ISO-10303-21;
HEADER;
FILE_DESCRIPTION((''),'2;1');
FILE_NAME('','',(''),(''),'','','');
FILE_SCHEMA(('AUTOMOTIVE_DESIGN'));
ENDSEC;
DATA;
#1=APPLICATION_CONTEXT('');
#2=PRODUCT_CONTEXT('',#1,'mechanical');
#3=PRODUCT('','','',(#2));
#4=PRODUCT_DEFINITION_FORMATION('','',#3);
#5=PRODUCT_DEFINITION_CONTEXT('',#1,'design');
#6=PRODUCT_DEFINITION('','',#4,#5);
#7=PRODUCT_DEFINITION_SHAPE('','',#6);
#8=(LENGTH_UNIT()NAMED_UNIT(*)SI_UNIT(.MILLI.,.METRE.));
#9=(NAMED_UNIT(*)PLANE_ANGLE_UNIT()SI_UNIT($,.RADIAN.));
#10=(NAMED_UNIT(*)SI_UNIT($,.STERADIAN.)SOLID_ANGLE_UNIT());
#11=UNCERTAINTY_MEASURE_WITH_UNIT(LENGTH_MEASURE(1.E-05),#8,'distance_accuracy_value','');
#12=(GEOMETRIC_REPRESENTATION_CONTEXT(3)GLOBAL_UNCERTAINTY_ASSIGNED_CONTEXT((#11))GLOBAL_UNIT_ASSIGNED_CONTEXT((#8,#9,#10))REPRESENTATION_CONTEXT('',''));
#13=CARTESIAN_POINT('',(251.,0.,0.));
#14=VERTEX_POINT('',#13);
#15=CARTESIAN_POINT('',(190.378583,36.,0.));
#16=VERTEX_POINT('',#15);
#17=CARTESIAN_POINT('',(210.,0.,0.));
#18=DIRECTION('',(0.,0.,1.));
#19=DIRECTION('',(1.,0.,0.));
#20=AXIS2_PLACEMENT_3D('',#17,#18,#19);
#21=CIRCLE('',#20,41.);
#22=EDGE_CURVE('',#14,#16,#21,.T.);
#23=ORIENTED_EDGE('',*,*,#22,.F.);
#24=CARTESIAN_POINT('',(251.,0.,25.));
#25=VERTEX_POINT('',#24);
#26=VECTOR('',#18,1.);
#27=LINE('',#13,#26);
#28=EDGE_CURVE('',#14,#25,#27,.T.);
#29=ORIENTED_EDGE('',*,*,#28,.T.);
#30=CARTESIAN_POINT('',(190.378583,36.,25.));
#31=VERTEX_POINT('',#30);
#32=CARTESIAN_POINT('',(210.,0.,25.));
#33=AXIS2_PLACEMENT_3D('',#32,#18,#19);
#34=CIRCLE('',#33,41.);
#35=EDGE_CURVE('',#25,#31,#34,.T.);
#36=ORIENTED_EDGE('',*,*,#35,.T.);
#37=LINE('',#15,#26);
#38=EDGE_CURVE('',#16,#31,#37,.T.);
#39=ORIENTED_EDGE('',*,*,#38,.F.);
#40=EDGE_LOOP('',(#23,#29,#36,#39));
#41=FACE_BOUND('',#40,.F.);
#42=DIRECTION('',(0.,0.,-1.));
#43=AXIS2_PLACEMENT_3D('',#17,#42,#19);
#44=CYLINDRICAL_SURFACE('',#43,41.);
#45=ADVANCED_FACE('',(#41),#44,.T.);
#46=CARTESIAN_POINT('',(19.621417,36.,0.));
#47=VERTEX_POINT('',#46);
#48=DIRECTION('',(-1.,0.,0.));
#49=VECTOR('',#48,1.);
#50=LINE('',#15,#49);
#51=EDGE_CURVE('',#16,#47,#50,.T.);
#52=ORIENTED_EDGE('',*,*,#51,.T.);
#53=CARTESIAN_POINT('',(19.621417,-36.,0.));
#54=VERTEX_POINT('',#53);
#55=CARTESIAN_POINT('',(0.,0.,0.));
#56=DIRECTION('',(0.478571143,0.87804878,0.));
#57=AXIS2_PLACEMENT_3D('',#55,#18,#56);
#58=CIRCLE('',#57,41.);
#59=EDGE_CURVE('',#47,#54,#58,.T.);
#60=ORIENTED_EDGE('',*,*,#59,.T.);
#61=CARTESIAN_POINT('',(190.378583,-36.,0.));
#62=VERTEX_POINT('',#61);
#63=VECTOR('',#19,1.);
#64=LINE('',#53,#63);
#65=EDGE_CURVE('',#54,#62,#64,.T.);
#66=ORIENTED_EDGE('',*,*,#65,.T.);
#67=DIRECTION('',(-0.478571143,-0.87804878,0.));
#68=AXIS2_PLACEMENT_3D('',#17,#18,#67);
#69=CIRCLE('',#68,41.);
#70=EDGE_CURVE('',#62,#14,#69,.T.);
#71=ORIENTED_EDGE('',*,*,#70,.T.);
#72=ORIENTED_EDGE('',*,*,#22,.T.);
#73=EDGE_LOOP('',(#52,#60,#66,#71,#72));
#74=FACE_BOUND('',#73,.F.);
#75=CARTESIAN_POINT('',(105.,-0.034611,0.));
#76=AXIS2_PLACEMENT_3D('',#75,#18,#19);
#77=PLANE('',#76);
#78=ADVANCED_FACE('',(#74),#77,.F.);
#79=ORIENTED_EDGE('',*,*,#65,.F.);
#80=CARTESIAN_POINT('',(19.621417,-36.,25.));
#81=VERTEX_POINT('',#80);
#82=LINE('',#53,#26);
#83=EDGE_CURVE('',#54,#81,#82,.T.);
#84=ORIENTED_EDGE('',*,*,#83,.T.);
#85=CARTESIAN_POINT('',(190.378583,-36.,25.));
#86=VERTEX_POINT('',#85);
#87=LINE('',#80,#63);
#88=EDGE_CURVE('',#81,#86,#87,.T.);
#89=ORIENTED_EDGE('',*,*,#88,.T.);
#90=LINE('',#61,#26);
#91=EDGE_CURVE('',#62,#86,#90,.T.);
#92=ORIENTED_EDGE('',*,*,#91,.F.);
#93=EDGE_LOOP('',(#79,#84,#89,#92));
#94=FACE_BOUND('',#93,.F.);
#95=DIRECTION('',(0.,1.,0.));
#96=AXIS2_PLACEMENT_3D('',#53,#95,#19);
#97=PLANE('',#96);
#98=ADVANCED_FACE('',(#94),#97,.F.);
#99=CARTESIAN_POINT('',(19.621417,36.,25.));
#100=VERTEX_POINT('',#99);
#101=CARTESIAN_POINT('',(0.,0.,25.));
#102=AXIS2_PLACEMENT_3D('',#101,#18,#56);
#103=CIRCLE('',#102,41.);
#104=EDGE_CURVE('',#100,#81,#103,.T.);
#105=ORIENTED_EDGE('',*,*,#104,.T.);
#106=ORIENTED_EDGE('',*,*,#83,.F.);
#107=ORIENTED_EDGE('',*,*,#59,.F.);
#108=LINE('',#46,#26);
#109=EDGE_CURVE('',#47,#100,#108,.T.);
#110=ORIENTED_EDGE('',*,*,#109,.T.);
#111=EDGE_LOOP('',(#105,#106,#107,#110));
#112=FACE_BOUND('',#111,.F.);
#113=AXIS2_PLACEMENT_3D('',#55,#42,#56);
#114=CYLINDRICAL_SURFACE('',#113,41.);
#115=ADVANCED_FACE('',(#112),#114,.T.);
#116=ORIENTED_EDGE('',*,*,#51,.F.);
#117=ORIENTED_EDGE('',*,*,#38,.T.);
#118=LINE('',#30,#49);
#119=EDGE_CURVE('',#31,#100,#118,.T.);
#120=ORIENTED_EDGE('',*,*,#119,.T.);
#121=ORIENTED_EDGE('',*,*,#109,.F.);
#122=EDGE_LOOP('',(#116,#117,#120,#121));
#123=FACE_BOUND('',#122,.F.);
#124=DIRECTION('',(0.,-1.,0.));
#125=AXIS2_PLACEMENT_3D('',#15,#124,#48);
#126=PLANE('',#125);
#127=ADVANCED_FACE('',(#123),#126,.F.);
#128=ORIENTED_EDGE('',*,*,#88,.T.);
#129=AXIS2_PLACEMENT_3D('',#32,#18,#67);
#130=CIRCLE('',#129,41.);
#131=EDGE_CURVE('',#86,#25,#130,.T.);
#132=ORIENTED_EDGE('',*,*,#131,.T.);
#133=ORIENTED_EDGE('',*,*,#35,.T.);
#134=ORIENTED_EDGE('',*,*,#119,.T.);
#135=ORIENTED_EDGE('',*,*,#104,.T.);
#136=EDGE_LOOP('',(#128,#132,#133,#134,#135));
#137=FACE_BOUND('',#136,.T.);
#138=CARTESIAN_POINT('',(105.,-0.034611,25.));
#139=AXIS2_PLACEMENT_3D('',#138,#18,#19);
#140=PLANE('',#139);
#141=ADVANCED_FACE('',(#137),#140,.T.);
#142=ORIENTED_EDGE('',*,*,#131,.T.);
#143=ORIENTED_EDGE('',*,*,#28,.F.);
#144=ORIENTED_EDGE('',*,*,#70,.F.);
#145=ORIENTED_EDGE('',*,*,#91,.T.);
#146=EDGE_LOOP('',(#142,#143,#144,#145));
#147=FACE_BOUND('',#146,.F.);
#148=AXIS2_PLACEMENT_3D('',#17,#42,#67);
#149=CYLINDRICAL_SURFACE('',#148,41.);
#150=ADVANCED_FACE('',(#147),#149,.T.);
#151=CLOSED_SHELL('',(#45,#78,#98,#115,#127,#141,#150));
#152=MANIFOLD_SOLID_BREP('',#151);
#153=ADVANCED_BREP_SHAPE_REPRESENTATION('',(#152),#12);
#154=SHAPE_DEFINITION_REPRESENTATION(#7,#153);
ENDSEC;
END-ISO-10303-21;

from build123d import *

# Parameters (mm, degrees)
F0_W     = 120
F0_H     = 61.9307779069
F0_R     = 30
F0_R_2   = 10
F0_R_3   = 21.5
F0_R_4   = 18.75
F0_R_5   = 6.6
F1_DEPTH = 25


with BuildPart() as f1:
    # F0 (on Top) → F1 (new body)
    with BuildSketch(Plane.XY):
        with Locations((105, -0.0346110465)):
            Rectangle(F0_W, F0_H)
        with BuildLine():
            ThreePointArc((242, 16.4924225025), (228.7386337537, 30.7386337537), (210, 36))
            ThreePointArc((210, 36), (200.4477229063, 34.7095664382), (191.5802557545, 30.9307779069))
            ThreePointArc((191.5802557545, 30.9307779069), (174.0000639573, -0.0678595955), (191.6969947823, -31))
            ThreePointArc((191.6969947823, -31), (200.5131670195, -34.7275107084), (210, -36))
            ThreePointArc((210, -36), (228.7386337537, -30.7386337537), (242, -16.4924225025))
            Line((242, -16.4924225025), (242, 16.4924225025))
        make_face()
        with Locations((210, 0)):
            Circle(F0_R, mode=Mode.SUBTRACT)
        with BuildLine():
            ThreePointArc((18.3030052177, -31), (31.2642622481, -17.8478543831), (36, 0))
            ThreePointArc((36, 0), (31.2978497092, 17.7888898917), (18.4197442455, 30.9307779069))
            ThreePointArc((18.4197442455, 30.9307779069), (9.5522770937, 34.7095664382), (0, 36))
            ThreePointArc((0, 36), (-18.7386337537, 30.7386337537), (-32, 16.4924225025))
            Line((-32, 16.4924225025), (-32, -16.4924225025))
            ThreePointArc((-32, -16.4924225025), (-18.7386337537, -30.7386337537), (0, -36))
            ThreePointArc((0, -36), (9.4868329805, -34.7275107084), (18.3030052177, -31))
        make_face()
        Circle(F0_R, mode=Mode.SUBTRACT)
        Circle(F0_R)
        Circle(F0_R_2, mode=Mode.SUBTRACT)
        with Locations((210, 0)):
            Circle(F0_R)
        with Locations((210, 0)):
            Circle(F0_R_3, mode=Mode.SUBTRACT)
        with Locations((210, 0)):
            Circle(F0_R_3)
        with Locations((210, 0)):
            Circle(F0_R_4, mode=Mode.SUBTRACT)
        with Locations((210, 0)):
            Circle(F0_R_4)
        with BuildLine():
            ThreePointArc((19.6214168703, 36), (23.4046464655, 33.6633706545), (26.9125802938, 30.9307779069))
            Line((26.9125802938, 30.9307779069), (34, 30.9307779069))
            ThreePointArc((34, 30.9307779069), (37, 33.9307779069), (40, 30.9307779069))
            Line((40, 30.9307779069), (45, 30.9307779069))
            Line((45, 30.9307779069), (165, 30.9307779069))
            Line((165, 30.9307779069), (170, 30.9307779069))
            ThreePointArc((170, 30.9307779069), (173, 33.9307779069), (176, 30.9307779069))
            Line((176, 30.9307779069), (183.0874197062, 30.9307779069))
            ThreePointArc((183.0874197062, 30.9307779069), (186.5953535345, 33.6633706545), (190.3785831296, 36))
            Line((190.3785831296, 36), (19.6214168703, 36))
        make_face()
        with BuildLine():
            Line((34, -31), (26.83281573, -31))
            ThreePointArc((26.83281573, -31), (23.361269906, -33.693487032), (19.6214168703, -36))
            Line((19.6214168703, -36), (190.3785831296, -36))
            ThreePointArc((190.3785831296, -36), (186.638730094, -33.693487032), (183.16718427, -31))
            Line((183.16718427, -31), (176, -31))
            ThreePointArc((176, -31), (173, -34), (170, -31))
            Line((170, -31), (165, -31))
            Line((165, -31), (45, -31))
            Line((45, -31), (40, -31))
            ThreePointArc((40, -31), (37, -34), (34, -31))
        make_face()
        with BuildLine():
            ThreePointArc((251, 0), (230.9346830441, 35.2525041074), (190.3785831296, 36))
            Line((190.3785831296, 36), (210, 36))
            ThreePointArc((210, 36), (228.7386337537, 30.7386337537), (242, 16.4924225025))
            ThreePointArc((242, 16.4924225025), (244.9857113691, 8.4852813742), (246, 0))
            ThreePointArc((246, 0), (244.9857113691, -8.4852813742), (242, -16.4924225025))
            ThreePointArc((242, -16.4924225025), (228.7386337537, -30.7386337537), (210, -36))
            Line((210, -36), (190.3785831296, -36))
            ThreePointArc((190.3785831296, -36), (230.9346830441, -35.2525041074), (251, 0))
        make_face()
        with BuildLine():
            ThreePointArc((-32, 16.4924225025), (-18.7386337537, 30.7386337537), (0, 36))
            Line((0, 36), (19.6214168703, 36))
            ThreePointArc((19.6214168703, 36), (-41, 0), (19.6214168703, -36))
            Line((19.6214168703, -36), (0, -36))
            ThreePointArc((0, -36), (-18.7386337537, -30.7386337537), (-32, -16.4924225025))
            ThreePointArc((-32, -16.4924225025), (-36, 0), (-32, 16.4924225025))
        make_face()
        with BuildLine():
            ThreePointArc((173, -17.6635217327), (169, 0), (173, 17.6635217327))
            Line((173, 17.6635217327), (173, 27.9307779069))
            ThreePointArc((173, 27.9307779069), (170.8786796564, 28.8094575634), (170, 30.9307779069))
            Line((170, 30.9307779069), (165, 30.9307779069))
            Line((165, 30.9307779069), (165, -31))
            Line((165, -31), (170, -31))
            ThreePointArc((170, -31), (170.8786796564, -28.8786796564), (173, -28))
            Line((173, -28), (173, -17.6635217327))
        make_face()
        with BuildLine():
            Line((37, 27.9307779069), (37, 17.6635217327))
            ThreePointArc((37, 17.6635217327), (39.9874980463, 9.0553851381), (41, 0))
            ThreePointArc((41, 0), (39.9874980463, -9.0553851381), (37, -17.6635217327))
            Line((37, -17.6635217327), (37, -28))
            ThreePointArc((37, -28), (39.1213203436, -28.8786796564), (40, -31))
            Line((40, -31), (45, -31))
            Line((45, -31), (45, 30.9307779069))
            Line((45, 30.9307779069), (40, 30.9307779069))
            ThreePointArc((40, 30.9307779069), (39.1213203436, 28.8094575634), (37, 27.9307779069))
        make_face()
        Circle(F0_R_2)
        Circle(F0_R_5, mode=Mode.SUBTRACT)
        with BuildLine():
            Line((191.5802557545, 30.9307779069), (183.0874197062, 30.9307779069))
            ThreePointArc((183.0874197062, 30.9307779069), (177.3624525806, 24.815126404), (173, 17.6635217327))
            Line((173, 17.6635217327), (173, -17.6635217327))
            ThreePointArc((173, -17.6635217327), (177.3944405945, -24.8571417474), (183.16718427, -31))
            Line((183.16718427, -31), (191.6969947823, -31))
            ThreePointArc((191.6969947823, -31), (174.0000639573, -0.0678595955), (191.5802557545, 30.9307779069))
        make_face()
        with BuildLine():
            ThreePointArc((18.4197442455, 30.9307779069), (31.2978497092, 17.7888898917), (36, 0))
            ThreePointArc((36, 0), (31.2642622481, -17.8478543831), (18.3030052177, -31))
            Line((18.3030052177, -31), (26.83281573, -31))
            ThreePointArc((26.83281573, -31), (32.6055594055, -24.8571417474), (37, -17.6635217327))
            Line((37, -17.6635217327), (37, 17.6635217327))
            ThreePointArc((37, 17.6635217327), (32.6375474194, 24.815126404), (26.9125802938, 30.9307779069))
            Line((26.9125802938, 30.9307779069), (18.4197442455, 30.9307779069))
        make_face()
        Circle(F0_R_5)
        with BuildLine():
            Line((173, -17.6635217327), (173, 17.6635217327))
            ThreePointArc((173, 17.6635217327), (169, 0), (173, -17.6635217327))
        make_face()
        with BuildLine():
            ThreePointArc((41, 0), (39.9874980463, 9.0553851381), (37, 17.6635217327))
            Line((37, 17.6635217327), (37, -17.6635217327))
            ThreePointArc((37, -17.6635217327), (39.9874980463, -9.0553851381), (41, 0))
        make_face()
        with BuildLine():
            Line((-32, -16.4924225025), (-32, 16.4924225025))
            ThreePointArc((-32, 16.4924225025), (-36, 0), (-32, -16.4924225025))
        make_face()
        with BuildLine():
            ThreePointArc((246, 0), (244.9857113691, 8.4852813742), (242, 16.4924225025))
            Line((242, 16.4924225025), (242, -16.4924225025))
            ThreePointArc((242, -16.4924225025), (244.9857113691, -8.4852813742), (246, 0))
        make_face()
        with BuildLine():
            Line((210, 36), (190.3785831296, 36))
            ThreePointArc((190.3785831296, 36), (186.5953535345, 33.6633706545), (183.0874197062, 30.9307779069))
            Line((183.0874197062, 30.9307779069), (191.5802557545, 30.9307779069))
            ThreePointArc((191.5802557545, 30.9307779069), (200.4477229063, 34.7095664382), (210, 36))
        make_face()
        with BuildLine():
            ThreePointArc((0, 36), (9.5522770937, 34.7095664382), (18.4197442455, 30.9307779069))
            Line((18.4197442455, 30.9307779069), (26.9125802938, 30.9307779069))
            ThreePointArc((26.9125802938, 30.9307779069), (23.4046464655, 33.6633706545), (19.6214168703, 36))
            Line((19.6214168703, 36), (0, 36))
        make_face()
        with BuildLine():
            Line((26.83281573, -31), (18.3030052177, -31))
            ThreePointArc((18.3030052177, -31), (9.4868329805, -34.7275107084), (0, -36))
            Line((0, -36), (19.6214168703, -36))
            ThreePointArc((19.6214168703, -36), (23.361269906, -33.693487032), (26.83281573, -31))
        make_face()
        with BuildLine():
            ThreePointArc((183.16718427, -31), (186.638730094, -33.693487032), (190.3785831296, -36))
            Line((190.3785831296, -36), (210, -36))
            ThreePointArc((210, -36), (200.5131670195, -34.7275107084), (191.6969947823, -31))
            Line((191.6969947823, -31), (183.16718427, -31))
        make_face()
        with BuildLine():
            ThreePointArc((37, -17.6635217327), (32.6055594055, -24.8571417474), (26.83281573, -31))
            Line((26.83281573, -31), (34, -31))
            ThreePointArc((34, -31), (34.8786796564, -28.8786796564), (37, -28))
            Line((37, -28), (37, -17.6635217327))
        make_face()
        with BuildLine():
            Line((176, -31), (183.16718427, -31))
            ThreePointArc((183.16718427, -31), (177.3944405945, -24.8571417474), (173, -17.6635217327))
            Line((173, -17.6635217327), (173, -28))
            ThreePointArc((173, -28), (175.1213203436, -28.8786796564), (176, -31))
        make_face()
        with BuildLine():
            Line((34, 30.9307779069), (26.9125802938, 30.9307779069))
            ThreePointArc((26.9125802938, 30.9307779069), (32.6375474194, 24.815126404), (37, 17.6635217327))
            Line((37, 17.6635217327), (37, 27.9307779069))
            ThreePointArc((37, 27.9307779069), (34.8786796564, 28.8094575634), (34, 30.9307779069))
        make_face()
        with BuildLine():
            ThreePointArc((173, 17.6635217327), (177.3624525806, 24.815126404), (183.0874197062, 30.9307779069))
            Line((183.0874197062, 30.9307779069), (176, 30.9307779069))
            ThreePointArc((176, 30.9307779069), (175.1213203436, 28.8094575634), (173, 27.9307779069))
            Line((173, 27.9307779069), (173, 17.6635217327))
        make_face()
        with BuildLine():
            Line((37, -31), (34, -31))
            ThreePointArc((34, -31), (37, -34), (40, -31))
            Line((40, -31), (37, -31))
        make_face()
        with BuildLine():
            ThreePointArc((170, -31), (173, -34), (176, -31))
            Line((176, -31), (173, -31))
            Line((173, -31), (170, -31))
        make_face()
        with BuildLine():
            ThreePointArc((40, 30.9307779069), (37, 33.9307779069), (34, 30.9307779069))
            Line((34, 30.9307779069), (37, 30.9307779069))
            Line((37, 30.9307779069), (40, 30.9307779069))
        make_face()
        with BuildLine():
            Line((173, 30.9307779069), (176, 30.9307779069))
            ThreePointArc((176, 30.9307779069), (173, 33.9307779069), (170, 30.9307779069))
            Line((170, 30.9307779069), (173, 30.9307779069))
        make_face()
        with BuildLine():
            Line((170, -31), (173, -31))
            Line((173, -31), (173, -28))
            ThreePointArc((173, -28), (170.8786796564, -28.8786796564), (170, -31))
        make_face()
        with BuildLine():
            Line((173, 27.9307779069), (173, 30.9307779069))
            Line((173, 30.9307779069), (170, 30.9307779069))
            ThreePointArc((170, 30.9307779069), (170.8786796564, 28.8094575634), (173, 27.9307779069))
        make_face()
        with BuildLine():
            Line((173, -31), (176, -31))
            ThreePointArc((176, -31), (175.1213203436, -28.8786796564), (173, -28))
            Line((173, -28), (173, -31))
        make_face()
        with BuildLine():
            Line((37, -28), (37, -31))
            Line((37, -31), (40, -31))
            ThreePointArc((40, -31), (39.1213203436, -28.8786796564), (37, -28))
        make_face()
        with BuildLine():
            ThreePointArc((37, -28), (34.8786796564, -28.8786796564), (34, -31))
            Line((34, -31), (37, -31))
            Line((37, -31), (37, -28))
        make_face()
        with BuildLine():
            Line((40, 30.9307779069), (37, 30.9307779069))
            Line((37, 30.9307779069), (37, 27.9307779069))
            ThreePointArc((37, 27.9307779069), (39.1213203436, 28.8094575634), (40, 30.9307779069))
        make_face()
        with BuildLine():
            ThreePointArc((173, 27.9307779069), (175.1213203436, 28.8094575634), (176, 30.9307779069))
            Line((176, 30.9307779069), (173, 30.9307779069))
            Line((173, 30.9307779069), (173, 27.9307779069))
        make_face()
        with BuildLine():
            Line((37, 30.9307779069), (34, 30.9307779069))
            ThreePointArc((34, 30.9307779069), (34.8786796564, 28.8094575634), (37, 27.9307779069))
            Line((37, 27.9307779069), (37, 30.9307779069))
        make_face()
    extrude(amount=F1_DEPTH)


solid = f1.part
